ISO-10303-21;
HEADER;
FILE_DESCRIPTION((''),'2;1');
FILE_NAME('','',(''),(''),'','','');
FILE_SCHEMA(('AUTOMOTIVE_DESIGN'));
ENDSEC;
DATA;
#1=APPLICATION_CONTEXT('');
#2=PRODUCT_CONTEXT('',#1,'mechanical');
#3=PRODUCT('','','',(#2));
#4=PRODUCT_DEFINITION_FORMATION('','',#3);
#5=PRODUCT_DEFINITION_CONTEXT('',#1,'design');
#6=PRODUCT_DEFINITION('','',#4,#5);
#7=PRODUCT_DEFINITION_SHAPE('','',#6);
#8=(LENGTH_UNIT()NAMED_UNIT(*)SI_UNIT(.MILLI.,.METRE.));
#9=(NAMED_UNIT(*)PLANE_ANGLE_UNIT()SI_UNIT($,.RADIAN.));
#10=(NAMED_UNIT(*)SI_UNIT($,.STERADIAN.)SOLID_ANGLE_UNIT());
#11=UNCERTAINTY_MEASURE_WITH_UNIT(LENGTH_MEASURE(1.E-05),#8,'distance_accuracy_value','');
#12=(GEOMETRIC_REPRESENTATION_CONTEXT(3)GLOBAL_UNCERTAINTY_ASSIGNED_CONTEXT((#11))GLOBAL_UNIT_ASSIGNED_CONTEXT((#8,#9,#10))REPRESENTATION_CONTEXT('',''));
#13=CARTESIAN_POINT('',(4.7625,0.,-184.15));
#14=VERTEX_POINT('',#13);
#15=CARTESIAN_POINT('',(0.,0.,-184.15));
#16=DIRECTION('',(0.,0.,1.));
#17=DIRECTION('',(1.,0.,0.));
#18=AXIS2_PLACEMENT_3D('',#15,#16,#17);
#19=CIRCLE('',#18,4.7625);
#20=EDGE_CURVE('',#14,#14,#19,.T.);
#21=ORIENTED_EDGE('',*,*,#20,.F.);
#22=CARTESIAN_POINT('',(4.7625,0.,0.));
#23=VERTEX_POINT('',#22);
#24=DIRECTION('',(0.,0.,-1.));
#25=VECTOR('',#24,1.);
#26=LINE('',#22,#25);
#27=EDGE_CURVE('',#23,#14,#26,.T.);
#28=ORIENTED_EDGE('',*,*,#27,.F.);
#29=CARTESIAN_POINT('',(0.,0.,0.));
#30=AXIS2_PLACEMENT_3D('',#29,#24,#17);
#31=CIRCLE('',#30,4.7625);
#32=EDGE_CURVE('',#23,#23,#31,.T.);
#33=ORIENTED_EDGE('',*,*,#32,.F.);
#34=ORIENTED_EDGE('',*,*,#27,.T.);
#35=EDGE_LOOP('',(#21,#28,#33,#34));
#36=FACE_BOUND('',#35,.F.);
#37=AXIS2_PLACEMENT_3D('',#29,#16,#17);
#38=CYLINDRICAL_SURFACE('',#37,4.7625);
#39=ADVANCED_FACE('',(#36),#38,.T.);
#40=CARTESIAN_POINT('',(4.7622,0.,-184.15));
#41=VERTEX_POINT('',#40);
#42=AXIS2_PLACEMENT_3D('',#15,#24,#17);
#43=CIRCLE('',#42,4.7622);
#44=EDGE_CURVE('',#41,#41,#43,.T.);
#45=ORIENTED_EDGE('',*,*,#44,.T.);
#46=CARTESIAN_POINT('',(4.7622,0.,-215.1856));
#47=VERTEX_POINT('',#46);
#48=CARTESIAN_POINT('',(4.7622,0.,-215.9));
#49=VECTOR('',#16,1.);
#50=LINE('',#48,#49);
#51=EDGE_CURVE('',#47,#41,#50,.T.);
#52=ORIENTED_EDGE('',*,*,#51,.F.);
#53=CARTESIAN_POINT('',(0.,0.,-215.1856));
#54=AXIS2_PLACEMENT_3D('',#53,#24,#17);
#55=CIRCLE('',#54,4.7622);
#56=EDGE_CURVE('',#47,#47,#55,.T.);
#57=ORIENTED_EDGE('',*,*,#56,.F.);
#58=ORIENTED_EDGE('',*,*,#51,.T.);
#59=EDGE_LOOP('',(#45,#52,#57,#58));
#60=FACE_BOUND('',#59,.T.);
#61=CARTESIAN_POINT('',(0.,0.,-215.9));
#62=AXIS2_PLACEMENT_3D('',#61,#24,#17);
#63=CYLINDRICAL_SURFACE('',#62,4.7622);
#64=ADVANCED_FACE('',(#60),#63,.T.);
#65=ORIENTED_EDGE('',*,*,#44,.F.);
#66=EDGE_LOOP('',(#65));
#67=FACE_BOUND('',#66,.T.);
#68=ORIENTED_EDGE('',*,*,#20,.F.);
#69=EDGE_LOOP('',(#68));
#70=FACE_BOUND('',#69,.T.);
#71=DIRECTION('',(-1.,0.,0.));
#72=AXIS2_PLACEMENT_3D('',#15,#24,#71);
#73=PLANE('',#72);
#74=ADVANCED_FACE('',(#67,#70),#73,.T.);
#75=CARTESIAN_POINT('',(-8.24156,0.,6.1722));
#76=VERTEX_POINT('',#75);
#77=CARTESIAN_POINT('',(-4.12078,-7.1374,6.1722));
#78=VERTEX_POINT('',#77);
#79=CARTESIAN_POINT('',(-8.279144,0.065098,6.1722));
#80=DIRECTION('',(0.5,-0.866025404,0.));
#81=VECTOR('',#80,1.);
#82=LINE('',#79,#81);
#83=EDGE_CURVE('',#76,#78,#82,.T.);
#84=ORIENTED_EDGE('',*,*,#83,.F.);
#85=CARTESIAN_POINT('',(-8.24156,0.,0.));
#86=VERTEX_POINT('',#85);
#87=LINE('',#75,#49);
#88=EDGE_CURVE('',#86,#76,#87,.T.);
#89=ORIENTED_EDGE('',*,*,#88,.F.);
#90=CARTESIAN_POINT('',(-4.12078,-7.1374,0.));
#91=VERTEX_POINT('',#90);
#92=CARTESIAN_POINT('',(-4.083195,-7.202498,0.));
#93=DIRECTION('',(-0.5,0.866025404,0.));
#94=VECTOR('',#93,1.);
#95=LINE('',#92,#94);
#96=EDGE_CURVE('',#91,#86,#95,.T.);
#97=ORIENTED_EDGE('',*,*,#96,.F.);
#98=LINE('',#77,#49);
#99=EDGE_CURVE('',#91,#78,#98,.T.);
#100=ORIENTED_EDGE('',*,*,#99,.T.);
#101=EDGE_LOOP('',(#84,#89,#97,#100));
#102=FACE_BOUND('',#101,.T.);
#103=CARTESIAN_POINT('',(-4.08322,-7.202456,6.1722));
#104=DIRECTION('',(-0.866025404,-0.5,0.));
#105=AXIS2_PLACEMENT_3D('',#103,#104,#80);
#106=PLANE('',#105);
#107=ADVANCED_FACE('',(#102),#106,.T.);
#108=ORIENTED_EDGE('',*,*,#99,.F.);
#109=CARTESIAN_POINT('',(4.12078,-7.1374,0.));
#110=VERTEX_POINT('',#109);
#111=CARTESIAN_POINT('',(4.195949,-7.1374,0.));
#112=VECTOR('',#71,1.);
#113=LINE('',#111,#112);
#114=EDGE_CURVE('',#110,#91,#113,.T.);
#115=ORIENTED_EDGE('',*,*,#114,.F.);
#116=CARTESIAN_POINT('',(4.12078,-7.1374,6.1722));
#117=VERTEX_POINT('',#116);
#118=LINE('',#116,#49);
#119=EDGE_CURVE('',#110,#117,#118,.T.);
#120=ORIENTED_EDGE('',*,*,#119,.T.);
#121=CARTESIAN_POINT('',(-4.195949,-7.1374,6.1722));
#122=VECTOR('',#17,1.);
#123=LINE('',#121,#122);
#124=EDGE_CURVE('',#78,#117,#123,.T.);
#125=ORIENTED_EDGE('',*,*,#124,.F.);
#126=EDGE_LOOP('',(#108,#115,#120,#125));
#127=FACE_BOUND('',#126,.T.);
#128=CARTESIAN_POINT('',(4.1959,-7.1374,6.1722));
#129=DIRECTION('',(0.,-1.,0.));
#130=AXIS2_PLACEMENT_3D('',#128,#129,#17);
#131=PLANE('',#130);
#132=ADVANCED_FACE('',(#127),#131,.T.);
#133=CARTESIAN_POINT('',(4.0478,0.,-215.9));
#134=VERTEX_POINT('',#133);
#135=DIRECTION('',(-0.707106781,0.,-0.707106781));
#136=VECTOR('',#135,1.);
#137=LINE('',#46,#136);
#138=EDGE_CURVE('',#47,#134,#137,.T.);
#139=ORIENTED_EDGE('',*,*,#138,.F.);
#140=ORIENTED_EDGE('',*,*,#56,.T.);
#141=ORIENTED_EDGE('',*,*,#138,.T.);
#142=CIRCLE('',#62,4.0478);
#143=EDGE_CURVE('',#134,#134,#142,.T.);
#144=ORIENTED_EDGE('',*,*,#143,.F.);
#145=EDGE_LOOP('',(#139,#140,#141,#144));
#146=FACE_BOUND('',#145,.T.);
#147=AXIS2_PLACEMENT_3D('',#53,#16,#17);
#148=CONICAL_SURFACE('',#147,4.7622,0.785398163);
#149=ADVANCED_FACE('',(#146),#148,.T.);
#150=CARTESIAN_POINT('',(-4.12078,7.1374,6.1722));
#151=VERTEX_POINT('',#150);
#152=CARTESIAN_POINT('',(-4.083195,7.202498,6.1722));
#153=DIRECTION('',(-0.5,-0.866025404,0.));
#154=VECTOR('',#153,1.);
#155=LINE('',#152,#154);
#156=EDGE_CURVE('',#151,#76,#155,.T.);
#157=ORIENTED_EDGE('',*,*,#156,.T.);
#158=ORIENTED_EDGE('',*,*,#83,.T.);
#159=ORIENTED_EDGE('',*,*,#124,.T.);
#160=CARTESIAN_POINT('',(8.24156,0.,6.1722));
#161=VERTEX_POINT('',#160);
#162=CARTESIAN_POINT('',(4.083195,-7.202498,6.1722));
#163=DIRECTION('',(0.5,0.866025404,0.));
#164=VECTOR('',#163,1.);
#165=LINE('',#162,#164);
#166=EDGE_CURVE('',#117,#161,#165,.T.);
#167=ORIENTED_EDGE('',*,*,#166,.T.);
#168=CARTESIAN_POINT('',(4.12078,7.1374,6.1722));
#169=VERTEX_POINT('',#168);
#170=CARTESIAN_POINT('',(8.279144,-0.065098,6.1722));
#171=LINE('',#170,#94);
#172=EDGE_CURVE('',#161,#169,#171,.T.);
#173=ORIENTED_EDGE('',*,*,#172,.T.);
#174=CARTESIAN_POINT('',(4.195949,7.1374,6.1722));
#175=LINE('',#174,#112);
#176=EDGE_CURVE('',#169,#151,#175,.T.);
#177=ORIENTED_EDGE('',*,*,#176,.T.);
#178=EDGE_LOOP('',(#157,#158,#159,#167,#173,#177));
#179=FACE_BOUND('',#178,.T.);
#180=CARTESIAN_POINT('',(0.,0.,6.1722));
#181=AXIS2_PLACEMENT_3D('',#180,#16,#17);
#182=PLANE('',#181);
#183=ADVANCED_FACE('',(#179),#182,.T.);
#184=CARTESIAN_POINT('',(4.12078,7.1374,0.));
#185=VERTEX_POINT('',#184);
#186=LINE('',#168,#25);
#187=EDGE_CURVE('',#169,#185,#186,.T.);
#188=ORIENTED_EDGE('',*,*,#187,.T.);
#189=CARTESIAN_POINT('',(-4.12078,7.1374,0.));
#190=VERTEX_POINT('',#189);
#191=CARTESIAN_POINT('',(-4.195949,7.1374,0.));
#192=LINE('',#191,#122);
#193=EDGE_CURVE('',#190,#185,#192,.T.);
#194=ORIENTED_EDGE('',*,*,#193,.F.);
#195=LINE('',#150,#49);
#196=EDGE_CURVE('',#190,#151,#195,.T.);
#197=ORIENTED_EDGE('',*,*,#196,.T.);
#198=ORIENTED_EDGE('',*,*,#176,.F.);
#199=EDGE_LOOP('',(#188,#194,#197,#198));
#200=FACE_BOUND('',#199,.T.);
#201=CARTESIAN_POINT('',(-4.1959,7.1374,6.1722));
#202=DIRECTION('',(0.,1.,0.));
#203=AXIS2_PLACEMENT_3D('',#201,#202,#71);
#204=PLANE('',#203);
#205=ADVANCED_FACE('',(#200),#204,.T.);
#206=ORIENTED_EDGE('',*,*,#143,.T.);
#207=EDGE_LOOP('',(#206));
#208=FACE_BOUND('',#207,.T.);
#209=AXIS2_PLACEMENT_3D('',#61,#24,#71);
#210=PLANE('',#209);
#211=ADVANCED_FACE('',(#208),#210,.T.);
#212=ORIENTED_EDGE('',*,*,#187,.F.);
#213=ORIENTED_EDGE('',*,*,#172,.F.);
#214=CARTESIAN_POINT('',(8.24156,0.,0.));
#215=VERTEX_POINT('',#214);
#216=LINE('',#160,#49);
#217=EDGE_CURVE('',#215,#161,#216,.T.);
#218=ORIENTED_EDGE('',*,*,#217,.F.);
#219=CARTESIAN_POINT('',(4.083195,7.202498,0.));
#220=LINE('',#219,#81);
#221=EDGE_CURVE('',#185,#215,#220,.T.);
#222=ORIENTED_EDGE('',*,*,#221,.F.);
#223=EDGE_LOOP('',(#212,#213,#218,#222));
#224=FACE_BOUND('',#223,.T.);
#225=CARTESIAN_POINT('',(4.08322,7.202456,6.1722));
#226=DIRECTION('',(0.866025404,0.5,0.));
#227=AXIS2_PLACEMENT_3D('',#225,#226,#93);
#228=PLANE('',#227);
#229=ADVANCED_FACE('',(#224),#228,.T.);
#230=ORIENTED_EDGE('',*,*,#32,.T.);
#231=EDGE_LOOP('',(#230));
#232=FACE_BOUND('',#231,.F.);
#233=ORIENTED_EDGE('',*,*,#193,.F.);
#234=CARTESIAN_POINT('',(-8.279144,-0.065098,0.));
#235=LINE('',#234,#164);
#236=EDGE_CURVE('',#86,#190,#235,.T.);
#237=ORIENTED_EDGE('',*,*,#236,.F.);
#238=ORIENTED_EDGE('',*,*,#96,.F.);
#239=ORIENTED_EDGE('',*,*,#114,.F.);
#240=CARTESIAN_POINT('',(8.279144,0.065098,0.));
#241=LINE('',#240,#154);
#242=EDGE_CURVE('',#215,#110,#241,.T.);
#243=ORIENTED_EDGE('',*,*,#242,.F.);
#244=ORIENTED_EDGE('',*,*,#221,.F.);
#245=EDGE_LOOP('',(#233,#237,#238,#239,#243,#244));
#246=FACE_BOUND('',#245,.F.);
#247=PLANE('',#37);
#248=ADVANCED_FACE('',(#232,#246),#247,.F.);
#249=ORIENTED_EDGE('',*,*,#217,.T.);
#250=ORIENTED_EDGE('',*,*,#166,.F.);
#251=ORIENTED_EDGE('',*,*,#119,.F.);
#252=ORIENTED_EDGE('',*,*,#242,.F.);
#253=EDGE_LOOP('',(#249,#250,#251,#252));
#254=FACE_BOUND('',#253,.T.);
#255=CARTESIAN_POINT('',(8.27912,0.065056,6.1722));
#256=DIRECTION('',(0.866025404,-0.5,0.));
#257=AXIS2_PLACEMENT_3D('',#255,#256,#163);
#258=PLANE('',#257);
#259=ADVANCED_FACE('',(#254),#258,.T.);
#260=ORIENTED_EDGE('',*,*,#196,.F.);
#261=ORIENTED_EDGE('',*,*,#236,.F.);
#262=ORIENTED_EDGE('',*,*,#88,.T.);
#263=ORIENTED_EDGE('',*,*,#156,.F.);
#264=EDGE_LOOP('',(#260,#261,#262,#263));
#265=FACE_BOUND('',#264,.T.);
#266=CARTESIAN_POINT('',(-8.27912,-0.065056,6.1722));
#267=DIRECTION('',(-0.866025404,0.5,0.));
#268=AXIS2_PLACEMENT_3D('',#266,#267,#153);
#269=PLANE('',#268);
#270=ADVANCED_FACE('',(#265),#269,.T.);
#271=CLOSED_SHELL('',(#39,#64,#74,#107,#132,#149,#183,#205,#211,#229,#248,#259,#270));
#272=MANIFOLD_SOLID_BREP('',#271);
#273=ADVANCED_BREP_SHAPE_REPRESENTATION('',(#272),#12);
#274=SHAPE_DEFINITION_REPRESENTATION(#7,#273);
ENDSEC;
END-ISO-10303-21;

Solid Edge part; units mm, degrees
sketch "Sketch1" plane through (0, 0, 0) normal (0, 0, 1) x (1, 0, 0)
  circle A0 centre (0, 0) radius 8.2794
  dimension "D1" = 16.5588
extrude "Protrusion1" add sketch "Sketch1" along normal blind 6.1722
sketch "Sketch2" plane through (0, 0, 0) normal (0, 0, -1) x (1, 0, 0)
  circle A0 centre (0, 0) radius 4.7625
extrude "Protrusion2" add sketch "Sketch2" along normal blind 215.9
sketch "Sketch3" plane through (0, 0, -215.9) normal (0, 0, -1) x (1, 0, 0)
  circle A0 centre (0, 0) radius 4.7622
extrude "Cutout1" cut sketch "Sketch3" against normal blind 31.75 flip side to cut
chamfer "Chamfer_1" distance 0.7144 angle 45 1 edges at (-4.7622, 0, -215.9)
sketch "Sketch4" plane through (0, 0, 6.1722) normal (0, 0, 1) x (1, 0, 0)
  line L0 (-4.1959, 7.1374) -> (4.1959, 7.1374)
  dimension "D1" = 14.2748
extrude "Cutout2" cut sketch "Sketch4" against normal up to next material side at (0, 7.1874, 6.1722)
pattern_circular "Pattern1" count 6 over 360 about axis through (0, 0, 6.1722) along (0, 0, 1) of "Cutout2"
properties part number "161200"
